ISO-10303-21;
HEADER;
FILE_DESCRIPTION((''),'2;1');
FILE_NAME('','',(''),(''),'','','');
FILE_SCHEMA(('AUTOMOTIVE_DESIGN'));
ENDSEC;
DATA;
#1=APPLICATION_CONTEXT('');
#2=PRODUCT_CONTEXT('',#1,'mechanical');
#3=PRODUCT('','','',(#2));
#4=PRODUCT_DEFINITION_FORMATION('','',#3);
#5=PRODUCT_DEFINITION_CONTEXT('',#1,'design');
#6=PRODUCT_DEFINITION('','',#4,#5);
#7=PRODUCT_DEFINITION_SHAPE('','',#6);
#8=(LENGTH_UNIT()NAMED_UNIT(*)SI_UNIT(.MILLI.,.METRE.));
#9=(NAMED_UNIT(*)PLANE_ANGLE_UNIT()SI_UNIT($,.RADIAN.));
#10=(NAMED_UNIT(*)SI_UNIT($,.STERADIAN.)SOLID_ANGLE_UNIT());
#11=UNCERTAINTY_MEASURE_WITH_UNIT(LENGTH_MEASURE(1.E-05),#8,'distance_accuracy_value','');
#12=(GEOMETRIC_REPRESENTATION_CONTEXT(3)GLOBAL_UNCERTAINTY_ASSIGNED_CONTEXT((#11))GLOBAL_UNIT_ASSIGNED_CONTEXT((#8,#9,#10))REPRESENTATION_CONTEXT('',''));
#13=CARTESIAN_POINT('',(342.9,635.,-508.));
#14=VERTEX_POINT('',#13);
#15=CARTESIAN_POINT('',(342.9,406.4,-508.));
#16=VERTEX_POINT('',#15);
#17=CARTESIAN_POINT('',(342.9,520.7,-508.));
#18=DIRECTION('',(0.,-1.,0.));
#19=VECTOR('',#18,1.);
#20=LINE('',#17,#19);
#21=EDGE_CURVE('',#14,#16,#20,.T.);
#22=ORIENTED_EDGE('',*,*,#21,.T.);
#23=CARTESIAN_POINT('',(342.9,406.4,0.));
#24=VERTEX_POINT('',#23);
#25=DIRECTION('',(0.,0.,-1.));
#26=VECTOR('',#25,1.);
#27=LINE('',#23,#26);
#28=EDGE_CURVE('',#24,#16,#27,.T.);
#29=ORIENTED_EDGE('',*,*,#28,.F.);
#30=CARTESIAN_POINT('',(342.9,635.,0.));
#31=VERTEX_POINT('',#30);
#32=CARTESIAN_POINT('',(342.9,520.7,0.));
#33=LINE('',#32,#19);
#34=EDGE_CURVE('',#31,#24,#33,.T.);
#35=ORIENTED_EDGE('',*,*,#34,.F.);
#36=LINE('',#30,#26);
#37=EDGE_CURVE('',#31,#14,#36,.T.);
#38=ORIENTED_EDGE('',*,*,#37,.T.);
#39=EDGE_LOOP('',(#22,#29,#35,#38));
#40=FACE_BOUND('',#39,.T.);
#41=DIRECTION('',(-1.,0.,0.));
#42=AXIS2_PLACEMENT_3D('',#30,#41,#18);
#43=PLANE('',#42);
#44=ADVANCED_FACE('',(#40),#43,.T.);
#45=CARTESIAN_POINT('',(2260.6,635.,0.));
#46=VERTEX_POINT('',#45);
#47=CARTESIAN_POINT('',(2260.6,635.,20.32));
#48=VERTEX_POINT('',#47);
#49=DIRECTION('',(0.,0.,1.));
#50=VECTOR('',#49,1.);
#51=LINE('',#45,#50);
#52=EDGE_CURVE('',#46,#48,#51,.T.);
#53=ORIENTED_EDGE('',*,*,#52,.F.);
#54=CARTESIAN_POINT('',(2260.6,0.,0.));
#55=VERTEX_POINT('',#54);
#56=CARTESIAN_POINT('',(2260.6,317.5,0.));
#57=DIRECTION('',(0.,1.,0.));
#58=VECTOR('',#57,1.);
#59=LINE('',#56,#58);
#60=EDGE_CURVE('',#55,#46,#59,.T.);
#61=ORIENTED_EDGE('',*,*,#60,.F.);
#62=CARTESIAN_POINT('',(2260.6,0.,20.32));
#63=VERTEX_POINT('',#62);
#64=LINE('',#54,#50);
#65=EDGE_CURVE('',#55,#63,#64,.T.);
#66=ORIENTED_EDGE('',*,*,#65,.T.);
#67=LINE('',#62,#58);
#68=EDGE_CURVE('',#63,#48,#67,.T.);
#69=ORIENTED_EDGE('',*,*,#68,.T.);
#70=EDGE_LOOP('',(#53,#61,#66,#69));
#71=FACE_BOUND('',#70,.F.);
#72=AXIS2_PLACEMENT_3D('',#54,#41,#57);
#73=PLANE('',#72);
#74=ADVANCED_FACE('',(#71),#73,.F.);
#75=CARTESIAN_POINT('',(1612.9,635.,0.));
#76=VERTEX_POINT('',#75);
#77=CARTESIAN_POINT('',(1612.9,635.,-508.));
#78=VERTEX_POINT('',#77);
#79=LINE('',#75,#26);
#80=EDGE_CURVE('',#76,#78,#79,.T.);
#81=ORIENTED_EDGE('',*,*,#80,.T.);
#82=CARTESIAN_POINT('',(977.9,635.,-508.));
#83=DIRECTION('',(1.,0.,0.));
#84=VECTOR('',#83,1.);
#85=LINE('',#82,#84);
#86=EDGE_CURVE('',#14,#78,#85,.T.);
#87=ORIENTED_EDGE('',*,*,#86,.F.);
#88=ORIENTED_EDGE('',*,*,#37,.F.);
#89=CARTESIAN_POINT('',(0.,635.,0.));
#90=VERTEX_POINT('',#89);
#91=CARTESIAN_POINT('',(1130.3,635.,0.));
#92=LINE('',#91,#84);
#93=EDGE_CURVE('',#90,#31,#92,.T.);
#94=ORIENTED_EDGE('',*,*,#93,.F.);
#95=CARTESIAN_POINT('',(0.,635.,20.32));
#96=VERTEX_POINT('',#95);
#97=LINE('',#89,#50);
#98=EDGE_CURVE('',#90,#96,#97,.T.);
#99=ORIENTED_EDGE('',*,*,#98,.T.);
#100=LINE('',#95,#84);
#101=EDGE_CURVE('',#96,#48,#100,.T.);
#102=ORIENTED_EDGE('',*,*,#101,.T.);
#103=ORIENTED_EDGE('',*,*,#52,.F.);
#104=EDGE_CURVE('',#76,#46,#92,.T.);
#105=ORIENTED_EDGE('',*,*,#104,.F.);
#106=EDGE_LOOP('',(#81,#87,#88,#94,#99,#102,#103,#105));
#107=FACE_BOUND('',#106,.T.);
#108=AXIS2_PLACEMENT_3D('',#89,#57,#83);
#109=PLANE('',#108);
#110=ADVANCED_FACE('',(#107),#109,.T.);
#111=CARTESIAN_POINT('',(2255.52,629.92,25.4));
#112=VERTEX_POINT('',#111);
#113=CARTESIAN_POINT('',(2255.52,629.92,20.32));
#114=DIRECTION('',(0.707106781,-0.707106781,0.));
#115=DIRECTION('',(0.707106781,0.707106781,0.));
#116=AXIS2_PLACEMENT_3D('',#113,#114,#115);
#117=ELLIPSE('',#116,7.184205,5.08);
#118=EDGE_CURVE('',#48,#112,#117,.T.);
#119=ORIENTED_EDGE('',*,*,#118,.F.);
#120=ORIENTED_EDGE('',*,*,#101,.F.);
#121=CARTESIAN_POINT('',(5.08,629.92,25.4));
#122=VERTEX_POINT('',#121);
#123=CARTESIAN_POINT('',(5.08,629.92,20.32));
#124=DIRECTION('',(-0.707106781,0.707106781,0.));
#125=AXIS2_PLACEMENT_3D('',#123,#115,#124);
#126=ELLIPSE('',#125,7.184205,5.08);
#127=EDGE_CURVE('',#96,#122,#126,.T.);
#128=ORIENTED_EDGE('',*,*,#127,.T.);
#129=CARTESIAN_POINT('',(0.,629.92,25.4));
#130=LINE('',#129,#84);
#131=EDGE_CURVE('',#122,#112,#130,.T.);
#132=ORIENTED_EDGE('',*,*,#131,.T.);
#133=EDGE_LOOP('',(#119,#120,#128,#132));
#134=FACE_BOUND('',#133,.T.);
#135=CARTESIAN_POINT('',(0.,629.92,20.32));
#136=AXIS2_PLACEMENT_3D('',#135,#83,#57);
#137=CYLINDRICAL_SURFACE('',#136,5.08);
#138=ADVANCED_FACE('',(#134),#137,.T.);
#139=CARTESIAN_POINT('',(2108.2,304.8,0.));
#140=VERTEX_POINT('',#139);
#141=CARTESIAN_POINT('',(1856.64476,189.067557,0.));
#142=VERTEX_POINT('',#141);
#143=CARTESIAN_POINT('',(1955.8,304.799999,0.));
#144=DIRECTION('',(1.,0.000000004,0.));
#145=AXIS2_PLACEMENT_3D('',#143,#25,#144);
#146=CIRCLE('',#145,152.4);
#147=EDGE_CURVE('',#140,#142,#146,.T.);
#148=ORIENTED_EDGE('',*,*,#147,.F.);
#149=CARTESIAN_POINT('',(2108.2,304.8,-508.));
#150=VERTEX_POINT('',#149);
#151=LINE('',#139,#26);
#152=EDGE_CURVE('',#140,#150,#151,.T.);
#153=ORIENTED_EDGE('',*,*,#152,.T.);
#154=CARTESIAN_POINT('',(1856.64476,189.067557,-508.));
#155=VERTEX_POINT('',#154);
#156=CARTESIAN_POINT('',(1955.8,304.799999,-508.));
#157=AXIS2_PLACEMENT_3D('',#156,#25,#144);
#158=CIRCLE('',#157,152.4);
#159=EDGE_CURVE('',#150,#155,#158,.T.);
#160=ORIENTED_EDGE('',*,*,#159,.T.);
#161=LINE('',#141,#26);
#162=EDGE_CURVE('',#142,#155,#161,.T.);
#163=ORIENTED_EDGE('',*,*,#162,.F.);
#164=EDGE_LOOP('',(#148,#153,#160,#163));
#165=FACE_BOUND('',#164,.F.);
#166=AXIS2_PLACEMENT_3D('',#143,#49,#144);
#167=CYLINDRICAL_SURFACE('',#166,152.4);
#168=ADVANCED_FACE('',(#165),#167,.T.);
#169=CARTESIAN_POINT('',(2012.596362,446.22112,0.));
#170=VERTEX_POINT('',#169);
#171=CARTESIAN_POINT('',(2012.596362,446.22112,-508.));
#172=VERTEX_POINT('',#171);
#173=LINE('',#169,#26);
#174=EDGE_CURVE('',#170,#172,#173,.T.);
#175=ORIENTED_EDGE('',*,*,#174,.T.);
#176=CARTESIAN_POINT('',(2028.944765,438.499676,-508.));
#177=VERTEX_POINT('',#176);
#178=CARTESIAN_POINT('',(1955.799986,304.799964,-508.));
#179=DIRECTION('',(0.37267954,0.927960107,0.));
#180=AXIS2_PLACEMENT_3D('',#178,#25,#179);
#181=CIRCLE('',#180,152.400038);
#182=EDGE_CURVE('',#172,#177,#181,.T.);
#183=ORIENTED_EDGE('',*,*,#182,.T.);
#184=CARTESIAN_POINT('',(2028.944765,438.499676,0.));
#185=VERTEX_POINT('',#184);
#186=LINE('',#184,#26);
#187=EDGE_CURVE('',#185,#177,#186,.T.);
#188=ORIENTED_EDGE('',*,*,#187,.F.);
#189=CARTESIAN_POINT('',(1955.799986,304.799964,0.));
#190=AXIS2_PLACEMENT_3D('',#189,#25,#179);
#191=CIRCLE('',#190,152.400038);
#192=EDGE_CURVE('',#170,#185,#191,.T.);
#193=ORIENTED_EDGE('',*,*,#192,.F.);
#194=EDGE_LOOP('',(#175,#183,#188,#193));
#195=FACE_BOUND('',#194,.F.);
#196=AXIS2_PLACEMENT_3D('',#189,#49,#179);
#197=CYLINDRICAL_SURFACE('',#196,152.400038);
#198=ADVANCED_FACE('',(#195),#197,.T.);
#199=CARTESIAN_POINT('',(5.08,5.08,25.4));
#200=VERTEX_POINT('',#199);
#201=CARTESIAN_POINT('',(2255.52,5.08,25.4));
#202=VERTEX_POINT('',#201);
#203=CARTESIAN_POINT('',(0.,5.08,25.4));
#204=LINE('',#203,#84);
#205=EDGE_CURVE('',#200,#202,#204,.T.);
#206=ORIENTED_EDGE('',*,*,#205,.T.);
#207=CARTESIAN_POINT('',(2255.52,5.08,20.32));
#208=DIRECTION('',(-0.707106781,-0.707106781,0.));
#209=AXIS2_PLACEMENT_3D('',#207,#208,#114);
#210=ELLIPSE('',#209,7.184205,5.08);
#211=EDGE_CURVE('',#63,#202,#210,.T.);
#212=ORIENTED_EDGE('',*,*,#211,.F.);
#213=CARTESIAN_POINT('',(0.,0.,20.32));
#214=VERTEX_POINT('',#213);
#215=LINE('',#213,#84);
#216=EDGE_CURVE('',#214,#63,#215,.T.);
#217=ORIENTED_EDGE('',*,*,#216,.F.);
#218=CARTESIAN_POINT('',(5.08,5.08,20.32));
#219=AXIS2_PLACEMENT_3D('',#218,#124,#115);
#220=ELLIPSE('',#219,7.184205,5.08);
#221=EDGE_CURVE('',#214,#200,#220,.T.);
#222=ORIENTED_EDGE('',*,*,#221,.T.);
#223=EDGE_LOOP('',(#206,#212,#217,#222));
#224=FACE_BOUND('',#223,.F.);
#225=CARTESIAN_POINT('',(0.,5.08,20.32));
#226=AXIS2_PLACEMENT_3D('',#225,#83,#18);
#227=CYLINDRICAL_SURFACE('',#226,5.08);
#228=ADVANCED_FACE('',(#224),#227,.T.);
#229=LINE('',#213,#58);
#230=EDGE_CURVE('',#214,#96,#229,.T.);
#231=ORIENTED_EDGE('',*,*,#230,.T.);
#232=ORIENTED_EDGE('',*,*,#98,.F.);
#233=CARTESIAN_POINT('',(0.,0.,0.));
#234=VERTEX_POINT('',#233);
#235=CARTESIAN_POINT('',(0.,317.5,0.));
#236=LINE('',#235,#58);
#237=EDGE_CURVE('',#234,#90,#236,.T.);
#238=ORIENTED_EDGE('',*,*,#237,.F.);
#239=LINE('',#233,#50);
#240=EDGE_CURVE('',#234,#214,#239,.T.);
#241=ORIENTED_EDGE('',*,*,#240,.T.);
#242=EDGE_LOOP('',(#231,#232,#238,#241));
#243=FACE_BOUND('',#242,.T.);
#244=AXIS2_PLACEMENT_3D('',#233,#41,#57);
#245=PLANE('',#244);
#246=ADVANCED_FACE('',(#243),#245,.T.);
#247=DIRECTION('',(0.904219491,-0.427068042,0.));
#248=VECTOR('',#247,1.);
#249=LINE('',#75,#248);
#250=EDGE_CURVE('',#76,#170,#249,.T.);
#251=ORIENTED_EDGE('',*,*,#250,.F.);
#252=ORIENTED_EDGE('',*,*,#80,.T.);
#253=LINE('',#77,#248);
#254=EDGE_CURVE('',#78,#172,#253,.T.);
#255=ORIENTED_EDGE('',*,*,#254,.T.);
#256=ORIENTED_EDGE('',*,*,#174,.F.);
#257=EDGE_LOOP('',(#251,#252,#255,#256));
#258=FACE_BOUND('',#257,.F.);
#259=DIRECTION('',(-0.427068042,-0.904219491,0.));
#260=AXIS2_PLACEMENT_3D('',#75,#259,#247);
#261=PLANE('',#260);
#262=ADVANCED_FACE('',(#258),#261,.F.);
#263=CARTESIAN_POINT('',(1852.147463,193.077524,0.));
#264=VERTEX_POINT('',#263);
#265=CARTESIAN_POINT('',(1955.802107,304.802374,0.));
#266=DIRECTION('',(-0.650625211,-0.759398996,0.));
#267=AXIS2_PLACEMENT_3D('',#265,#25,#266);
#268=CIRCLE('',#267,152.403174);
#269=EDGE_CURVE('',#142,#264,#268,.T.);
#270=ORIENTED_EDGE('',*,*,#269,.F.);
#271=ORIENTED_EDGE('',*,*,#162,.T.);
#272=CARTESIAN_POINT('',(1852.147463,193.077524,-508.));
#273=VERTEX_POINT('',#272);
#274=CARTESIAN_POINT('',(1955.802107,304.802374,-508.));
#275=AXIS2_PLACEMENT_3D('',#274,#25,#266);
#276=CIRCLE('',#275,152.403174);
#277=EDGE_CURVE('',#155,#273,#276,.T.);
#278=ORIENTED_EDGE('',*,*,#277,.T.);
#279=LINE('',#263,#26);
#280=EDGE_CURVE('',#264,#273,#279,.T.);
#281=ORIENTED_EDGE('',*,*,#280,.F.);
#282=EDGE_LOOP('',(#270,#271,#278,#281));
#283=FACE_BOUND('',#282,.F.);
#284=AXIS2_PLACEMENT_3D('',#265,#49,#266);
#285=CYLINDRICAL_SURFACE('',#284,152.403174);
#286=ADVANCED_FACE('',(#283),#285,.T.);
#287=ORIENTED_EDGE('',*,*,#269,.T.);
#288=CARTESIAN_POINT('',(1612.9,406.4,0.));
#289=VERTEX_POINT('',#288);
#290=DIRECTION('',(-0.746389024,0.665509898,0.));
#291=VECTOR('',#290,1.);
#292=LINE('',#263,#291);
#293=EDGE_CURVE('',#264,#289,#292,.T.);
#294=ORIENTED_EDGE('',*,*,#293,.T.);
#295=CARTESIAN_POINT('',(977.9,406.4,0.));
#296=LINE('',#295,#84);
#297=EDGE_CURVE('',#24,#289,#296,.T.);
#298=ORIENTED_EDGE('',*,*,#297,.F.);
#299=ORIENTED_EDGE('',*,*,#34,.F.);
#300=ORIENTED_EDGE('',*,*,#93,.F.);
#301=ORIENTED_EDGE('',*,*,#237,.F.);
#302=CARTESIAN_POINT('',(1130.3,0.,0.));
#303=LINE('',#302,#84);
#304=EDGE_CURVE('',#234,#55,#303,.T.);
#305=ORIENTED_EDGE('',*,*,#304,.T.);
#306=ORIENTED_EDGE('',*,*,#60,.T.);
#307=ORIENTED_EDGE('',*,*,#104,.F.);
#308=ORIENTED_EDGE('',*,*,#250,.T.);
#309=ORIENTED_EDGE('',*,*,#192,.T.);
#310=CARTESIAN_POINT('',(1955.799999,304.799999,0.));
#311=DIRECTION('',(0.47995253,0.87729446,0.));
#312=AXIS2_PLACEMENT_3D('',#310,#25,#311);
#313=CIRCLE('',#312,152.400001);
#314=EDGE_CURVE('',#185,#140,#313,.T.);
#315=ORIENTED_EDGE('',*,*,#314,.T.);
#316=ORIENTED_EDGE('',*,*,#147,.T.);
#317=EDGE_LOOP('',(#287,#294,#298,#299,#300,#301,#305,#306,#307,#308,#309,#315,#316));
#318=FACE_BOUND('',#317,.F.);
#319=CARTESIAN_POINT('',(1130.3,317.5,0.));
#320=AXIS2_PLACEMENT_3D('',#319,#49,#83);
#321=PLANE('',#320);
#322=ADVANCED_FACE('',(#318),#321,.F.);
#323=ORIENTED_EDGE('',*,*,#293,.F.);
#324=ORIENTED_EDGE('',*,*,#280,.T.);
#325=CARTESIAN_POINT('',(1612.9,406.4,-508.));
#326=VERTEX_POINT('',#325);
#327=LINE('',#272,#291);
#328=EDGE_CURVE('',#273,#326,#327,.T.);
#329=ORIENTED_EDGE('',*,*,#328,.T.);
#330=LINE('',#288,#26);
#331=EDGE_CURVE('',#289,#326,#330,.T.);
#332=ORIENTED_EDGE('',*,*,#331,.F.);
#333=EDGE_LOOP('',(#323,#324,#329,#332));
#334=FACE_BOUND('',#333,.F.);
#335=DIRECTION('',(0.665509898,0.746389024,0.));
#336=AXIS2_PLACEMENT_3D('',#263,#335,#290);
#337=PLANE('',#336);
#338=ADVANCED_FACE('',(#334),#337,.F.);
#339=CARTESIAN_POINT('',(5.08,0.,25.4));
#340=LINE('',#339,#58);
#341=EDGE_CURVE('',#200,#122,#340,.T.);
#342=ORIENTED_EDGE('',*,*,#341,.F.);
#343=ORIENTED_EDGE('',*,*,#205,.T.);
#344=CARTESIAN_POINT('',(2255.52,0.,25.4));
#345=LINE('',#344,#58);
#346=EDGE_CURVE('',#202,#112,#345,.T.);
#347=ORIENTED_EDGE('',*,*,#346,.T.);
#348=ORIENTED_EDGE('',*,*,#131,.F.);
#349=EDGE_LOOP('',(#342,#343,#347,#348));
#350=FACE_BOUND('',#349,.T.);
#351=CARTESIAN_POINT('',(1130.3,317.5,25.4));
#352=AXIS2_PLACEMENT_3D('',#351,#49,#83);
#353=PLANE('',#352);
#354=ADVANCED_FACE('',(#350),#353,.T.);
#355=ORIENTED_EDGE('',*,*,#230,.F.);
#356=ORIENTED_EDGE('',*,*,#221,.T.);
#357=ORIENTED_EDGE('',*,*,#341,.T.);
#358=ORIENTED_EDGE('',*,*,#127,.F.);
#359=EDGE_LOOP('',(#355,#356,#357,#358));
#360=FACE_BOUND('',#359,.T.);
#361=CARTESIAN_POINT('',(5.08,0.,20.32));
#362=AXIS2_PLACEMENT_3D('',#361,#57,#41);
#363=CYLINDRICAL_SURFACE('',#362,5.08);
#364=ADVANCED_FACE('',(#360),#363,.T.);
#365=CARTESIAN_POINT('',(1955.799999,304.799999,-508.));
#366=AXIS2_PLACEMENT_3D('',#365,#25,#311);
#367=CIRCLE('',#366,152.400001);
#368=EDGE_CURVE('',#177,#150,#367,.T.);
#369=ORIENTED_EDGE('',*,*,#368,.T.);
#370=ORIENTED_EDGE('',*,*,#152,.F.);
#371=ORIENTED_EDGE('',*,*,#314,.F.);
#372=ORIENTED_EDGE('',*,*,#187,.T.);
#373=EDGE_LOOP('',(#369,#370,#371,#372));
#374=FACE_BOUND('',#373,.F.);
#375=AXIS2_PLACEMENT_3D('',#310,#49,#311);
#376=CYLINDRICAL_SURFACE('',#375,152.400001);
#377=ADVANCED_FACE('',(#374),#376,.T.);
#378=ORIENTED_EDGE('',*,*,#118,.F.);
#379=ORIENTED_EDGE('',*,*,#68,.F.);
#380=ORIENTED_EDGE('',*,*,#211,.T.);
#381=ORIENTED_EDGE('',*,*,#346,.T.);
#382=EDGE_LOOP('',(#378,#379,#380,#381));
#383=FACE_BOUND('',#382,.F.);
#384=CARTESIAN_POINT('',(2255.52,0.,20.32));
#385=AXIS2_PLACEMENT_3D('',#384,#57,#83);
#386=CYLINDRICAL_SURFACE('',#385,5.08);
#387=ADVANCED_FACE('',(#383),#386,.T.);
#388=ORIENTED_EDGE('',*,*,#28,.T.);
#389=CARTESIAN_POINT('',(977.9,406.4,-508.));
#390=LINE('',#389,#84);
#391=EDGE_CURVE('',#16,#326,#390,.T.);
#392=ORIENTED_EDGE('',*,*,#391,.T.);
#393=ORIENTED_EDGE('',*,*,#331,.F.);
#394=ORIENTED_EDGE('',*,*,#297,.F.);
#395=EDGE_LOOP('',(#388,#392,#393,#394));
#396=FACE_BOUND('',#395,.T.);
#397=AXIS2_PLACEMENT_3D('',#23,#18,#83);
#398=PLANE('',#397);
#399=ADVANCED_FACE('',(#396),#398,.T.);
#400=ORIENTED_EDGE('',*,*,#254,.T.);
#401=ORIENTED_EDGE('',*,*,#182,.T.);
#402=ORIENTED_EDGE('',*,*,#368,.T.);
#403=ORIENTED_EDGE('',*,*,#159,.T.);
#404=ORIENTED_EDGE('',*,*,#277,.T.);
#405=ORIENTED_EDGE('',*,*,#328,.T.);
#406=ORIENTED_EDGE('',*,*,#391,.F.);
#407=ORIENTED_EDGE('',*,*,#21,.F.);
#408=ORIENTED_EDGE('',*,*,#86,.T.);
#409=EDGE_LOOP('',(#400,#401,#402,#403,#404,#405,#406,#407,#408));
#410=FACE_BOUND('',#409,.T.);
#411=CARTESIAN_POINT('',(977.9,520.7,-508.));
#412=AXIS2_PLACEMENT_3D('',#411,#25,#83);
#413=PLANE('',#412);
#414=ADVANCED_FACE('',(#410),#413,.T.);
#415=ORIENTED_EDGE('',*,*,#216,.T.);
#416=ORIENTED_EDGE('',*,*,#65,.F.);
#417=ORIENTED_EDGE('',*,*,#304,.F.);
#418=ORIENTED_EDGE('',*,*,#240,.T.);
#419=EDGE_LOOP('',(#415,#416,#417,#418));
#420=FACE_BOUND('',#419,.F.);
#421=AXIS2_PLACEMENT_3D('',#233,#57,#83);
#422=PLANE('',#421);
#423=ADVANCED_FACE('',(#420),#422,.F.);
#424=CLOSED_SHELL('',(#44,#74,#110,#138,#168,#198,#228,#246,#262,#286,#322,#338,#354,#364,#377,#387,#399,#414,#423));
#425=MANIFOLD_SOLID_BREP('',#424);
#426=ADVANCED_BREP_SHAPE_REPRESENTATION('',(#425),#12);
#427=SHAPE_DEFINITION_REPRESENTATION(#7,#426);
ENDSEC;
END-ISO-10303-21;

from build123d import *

# Parameters (mm, degrees)
F0_W     = 2260.6
F0_H     = 635
F1_DEPTH = 25.4
F2_R     = 5.08
F3_W     = 1270
F3_H     = 228.6
F4_DEPTH = 508


with BuildPart() as f1:
    # F0 (on Top) → F1 (new body)
    with BuildSketch(Plane.XY):
        with Locations((1130.3, 317.5)):
            Rectangle(F0_W, F0_H)
    extrude(amount=F1_DEPTH)

    # F2
    f2_edges = [f1.edges().sort_by_distance(p)[0] for p in [
        (0, 317.5, 25.4),
        (1130.3, 0, 25.4),
        (2260.6, 317.5, 25.4),
        (1130.3, 635, 25.4),
    ]]
    fillet(f2_edges, radius=F2_R)

    # F3 (on face) → F4 (join)
    with BuildSketch(Plane(origin=(0, 0, 0), x_dir=(1, 0, 0), z_dir=(0, 0, -1))):
        with Locations((977.9, -520.7)):
            Rectangle(F3_W, F3_H)
        with BuildLine():
            Line((1612.9, -406.4), (1612.9, -635))
            Line((1612.9, -635), (2012.596362, -446.22112))
            ThreePointArc((2012.596362, -446.22112), (1827.078225, -386.38716), (1852.147463, -193.077524))
            Line((1852.147463, -193.077524), (1612.9, -406.4))
        make_face()
        with BuildLine():
            Line((2028.944765, -438.499676), (2012.596362, -446.22112))
            ThreePointArc((2012.596362, -446.22112), (2020.88517, -442.60305), (2028.944765, -438.499676))
        make_face()
        with BuildLine():
            ThreePointArc((1852.147463, -193.077524), (1827.078225, -386.38716), (2012.596362, -446.22112))
            Line((2012.596362, -446.22112), (2028.944765, -438.499676))
            ThreePointArc((2028.944765, -438.499676), (2086.897334, -382.512605), (2108.2, -304.8))
            ThreePointArc((2108.2, -304.8), (2019.496552, -166.349614), (1856.64476, -189.067557))
            Line((1856.64476, -189.067557), (1852.147463, -193.077524))
        make_face()
        with BuildLine():
            ThreePointArc((1856.64476, -189.067557), (1854.376292, -191.050313), (1852.147463, -193.077524))
            Line((1852.147463, -193.077524), (1856.64476, -189.067557))
        make_face()
    extrude(amount=F4_DEPTH)


solid = f1.part
